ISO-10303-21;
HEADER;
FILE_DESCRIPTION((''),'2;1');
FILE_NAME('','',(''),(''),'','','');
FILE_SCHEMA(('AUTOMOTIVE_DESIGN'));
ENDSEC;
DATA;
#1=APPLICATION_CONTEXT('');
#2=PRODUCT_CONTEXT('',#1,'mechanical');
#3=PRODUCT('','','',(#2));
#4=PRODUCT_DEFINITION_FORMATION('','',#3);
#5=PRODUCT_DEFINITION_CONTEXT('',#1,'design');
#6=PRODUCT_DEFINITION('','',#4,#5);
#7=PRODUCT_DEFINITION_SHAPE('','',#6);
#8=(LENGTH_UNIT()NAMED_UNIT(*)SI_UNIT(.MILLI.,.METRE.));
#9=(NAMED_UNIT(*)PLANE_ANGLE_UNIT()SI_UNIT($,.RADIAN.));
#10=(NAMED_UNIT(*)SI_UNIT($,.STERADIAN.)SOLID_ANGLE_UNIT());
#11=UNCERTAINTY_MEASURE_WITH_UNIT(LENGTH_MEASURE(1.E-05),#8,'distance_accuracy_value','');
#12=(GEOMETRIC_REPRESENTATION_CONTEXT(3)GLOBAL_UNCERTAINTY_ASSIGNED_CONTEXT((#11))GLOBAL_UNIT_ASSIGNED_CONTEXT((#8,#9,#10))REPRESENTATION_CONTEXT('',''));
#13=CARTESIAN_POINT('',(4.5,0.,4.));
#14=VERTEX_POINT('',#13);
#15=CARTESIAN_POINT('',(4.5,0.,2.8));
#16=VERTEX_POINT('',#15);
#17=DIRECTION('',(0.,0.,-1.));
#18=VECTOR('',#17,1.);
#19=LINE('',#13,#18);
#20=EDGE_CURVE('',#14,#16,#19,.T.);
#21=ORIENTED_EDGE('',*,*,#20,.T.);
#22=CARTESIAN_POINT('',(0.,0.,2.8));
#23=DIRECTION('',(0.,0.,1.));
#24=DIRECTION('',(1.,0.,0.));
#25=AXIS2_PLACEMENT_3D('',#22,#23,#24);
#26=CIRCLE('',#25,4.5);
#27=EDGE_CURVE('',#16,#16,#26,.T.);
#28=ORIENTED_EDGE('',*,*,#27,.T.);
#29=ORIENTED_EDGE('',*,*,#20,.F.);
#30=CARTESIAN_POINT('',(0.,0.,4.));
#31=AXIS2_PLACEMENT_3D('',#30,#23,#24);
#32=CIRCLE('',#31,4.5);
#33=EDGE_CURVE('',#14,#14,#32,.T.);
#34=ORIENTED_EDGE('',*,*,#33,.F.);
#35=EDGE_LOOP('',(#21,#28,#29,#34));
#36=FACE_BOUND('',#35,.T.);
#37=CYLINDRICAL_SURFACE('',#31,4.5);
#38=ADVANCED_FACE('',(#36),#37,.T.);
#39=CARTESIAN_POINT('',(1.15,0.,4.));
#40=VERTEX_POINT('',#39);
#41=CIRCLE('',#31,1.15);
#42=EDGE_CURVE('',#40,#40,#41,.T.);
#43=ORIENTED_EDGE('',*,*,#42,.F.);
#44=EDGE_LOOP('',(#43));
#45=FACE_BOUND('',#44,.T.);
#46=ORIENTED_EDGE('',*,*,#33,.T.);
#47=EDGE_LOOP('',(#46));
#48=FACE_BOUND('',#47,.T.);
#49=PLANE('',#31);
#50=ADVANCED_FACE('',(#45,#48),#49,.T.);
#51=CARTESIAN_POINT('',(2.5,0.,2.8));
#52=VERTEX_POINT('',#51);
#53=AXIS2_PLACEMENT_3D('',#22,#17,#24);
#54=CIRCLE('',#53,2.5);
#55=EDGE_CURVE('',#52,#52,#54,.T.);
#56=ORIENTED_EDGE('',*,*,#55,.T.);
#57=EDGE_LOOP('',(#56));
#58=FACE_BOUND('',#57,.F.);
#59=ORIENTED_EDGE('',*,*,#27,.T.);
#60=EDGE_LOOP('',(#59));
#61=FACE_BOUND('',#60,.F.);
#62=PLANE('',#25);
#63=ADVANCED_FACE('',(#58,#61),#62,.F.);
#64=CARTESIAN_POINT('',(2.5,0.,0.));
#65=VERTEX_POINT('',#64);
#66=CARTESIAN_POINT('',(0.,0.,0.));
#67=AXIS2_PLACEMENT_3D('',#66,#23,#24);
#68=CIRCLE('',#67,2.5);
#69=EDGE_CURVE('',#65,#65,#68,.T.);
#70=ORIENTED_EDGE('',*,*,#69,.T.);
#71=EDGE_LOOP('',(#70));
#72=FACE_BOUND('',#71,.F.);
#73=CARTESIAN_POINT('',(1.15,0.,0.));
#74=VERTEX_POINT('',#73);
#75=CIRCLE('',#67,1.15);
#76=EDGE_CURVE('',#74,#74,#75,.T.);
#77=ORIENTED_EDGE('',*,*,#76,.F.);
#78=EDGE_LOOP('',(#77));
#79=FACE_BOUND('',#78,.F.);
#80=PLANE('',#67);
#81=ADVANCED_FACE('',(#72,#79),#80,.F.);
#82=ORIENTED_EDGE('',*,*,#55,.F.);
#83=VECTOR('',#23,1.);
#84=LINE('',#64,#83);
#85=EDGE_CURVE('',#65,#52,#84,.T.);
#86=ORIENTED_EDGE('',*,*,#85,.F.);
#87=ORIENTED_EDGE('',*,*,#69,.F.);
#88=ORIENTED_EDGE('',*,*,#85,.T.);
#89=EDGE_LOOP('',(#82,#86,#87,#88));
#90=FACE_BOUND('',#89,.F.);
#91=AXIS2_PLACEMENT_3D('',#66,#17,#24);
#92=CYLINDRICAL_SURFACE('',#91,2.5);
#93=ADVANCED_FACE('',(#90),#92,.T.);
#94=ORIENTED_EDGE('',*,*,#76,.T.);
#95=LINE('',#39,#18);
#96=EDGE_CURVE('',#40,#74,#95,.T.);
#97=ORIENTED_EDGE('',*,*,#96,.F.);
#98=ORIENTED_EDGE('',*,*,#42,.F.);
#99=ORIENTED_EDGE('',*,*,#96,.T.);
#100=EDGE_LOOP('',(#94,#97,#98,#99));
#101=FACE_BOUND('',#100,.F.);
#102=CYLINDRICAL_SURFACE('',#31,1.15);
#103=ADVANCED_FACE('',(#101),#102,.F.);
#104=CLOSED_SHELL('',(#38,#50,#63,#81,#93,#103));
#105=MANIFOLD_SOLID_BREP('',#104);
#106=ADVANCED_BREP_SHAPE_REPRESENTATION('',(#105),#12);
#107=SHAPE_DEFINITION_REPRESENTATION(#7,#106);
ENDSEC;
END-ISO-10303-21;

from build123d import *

# Parameters (mm, degrees)
SKETCH008_R     = 2.5
PAD005_DEPTH    = 4
SKETCH010_R     = 4.5
PAD006_DEPTH    = 1.2
SKETCH011_R     = 1.15
POCKET003_DEPTH = 4.001


with BuildPart() as part:
    # Sketch008 → Pad005 (new body)
    with BuildSketch(Plane.XY):
        Circle(SKETCH008_R)
    extrude(amount=PAD005_DEPTH)

    # Sketch010 → Pad006 (join)
    with BuildSketch(Plane.XY.offset(4)):
        Circle(SKETCH010_R)
    extrude(amount=-PAD006_DEPTH)

    # Sketch011 (on Face5 of Pad006) → Pocket003 (cut, through all)
    with BuildSketch(Plane.XY.offset(4)):
        Circle(SKETCH011_R)
    extrude(amount=-POCKET003_DEPTH, mode=Mode.SUBTRACT)


solid = part.part
